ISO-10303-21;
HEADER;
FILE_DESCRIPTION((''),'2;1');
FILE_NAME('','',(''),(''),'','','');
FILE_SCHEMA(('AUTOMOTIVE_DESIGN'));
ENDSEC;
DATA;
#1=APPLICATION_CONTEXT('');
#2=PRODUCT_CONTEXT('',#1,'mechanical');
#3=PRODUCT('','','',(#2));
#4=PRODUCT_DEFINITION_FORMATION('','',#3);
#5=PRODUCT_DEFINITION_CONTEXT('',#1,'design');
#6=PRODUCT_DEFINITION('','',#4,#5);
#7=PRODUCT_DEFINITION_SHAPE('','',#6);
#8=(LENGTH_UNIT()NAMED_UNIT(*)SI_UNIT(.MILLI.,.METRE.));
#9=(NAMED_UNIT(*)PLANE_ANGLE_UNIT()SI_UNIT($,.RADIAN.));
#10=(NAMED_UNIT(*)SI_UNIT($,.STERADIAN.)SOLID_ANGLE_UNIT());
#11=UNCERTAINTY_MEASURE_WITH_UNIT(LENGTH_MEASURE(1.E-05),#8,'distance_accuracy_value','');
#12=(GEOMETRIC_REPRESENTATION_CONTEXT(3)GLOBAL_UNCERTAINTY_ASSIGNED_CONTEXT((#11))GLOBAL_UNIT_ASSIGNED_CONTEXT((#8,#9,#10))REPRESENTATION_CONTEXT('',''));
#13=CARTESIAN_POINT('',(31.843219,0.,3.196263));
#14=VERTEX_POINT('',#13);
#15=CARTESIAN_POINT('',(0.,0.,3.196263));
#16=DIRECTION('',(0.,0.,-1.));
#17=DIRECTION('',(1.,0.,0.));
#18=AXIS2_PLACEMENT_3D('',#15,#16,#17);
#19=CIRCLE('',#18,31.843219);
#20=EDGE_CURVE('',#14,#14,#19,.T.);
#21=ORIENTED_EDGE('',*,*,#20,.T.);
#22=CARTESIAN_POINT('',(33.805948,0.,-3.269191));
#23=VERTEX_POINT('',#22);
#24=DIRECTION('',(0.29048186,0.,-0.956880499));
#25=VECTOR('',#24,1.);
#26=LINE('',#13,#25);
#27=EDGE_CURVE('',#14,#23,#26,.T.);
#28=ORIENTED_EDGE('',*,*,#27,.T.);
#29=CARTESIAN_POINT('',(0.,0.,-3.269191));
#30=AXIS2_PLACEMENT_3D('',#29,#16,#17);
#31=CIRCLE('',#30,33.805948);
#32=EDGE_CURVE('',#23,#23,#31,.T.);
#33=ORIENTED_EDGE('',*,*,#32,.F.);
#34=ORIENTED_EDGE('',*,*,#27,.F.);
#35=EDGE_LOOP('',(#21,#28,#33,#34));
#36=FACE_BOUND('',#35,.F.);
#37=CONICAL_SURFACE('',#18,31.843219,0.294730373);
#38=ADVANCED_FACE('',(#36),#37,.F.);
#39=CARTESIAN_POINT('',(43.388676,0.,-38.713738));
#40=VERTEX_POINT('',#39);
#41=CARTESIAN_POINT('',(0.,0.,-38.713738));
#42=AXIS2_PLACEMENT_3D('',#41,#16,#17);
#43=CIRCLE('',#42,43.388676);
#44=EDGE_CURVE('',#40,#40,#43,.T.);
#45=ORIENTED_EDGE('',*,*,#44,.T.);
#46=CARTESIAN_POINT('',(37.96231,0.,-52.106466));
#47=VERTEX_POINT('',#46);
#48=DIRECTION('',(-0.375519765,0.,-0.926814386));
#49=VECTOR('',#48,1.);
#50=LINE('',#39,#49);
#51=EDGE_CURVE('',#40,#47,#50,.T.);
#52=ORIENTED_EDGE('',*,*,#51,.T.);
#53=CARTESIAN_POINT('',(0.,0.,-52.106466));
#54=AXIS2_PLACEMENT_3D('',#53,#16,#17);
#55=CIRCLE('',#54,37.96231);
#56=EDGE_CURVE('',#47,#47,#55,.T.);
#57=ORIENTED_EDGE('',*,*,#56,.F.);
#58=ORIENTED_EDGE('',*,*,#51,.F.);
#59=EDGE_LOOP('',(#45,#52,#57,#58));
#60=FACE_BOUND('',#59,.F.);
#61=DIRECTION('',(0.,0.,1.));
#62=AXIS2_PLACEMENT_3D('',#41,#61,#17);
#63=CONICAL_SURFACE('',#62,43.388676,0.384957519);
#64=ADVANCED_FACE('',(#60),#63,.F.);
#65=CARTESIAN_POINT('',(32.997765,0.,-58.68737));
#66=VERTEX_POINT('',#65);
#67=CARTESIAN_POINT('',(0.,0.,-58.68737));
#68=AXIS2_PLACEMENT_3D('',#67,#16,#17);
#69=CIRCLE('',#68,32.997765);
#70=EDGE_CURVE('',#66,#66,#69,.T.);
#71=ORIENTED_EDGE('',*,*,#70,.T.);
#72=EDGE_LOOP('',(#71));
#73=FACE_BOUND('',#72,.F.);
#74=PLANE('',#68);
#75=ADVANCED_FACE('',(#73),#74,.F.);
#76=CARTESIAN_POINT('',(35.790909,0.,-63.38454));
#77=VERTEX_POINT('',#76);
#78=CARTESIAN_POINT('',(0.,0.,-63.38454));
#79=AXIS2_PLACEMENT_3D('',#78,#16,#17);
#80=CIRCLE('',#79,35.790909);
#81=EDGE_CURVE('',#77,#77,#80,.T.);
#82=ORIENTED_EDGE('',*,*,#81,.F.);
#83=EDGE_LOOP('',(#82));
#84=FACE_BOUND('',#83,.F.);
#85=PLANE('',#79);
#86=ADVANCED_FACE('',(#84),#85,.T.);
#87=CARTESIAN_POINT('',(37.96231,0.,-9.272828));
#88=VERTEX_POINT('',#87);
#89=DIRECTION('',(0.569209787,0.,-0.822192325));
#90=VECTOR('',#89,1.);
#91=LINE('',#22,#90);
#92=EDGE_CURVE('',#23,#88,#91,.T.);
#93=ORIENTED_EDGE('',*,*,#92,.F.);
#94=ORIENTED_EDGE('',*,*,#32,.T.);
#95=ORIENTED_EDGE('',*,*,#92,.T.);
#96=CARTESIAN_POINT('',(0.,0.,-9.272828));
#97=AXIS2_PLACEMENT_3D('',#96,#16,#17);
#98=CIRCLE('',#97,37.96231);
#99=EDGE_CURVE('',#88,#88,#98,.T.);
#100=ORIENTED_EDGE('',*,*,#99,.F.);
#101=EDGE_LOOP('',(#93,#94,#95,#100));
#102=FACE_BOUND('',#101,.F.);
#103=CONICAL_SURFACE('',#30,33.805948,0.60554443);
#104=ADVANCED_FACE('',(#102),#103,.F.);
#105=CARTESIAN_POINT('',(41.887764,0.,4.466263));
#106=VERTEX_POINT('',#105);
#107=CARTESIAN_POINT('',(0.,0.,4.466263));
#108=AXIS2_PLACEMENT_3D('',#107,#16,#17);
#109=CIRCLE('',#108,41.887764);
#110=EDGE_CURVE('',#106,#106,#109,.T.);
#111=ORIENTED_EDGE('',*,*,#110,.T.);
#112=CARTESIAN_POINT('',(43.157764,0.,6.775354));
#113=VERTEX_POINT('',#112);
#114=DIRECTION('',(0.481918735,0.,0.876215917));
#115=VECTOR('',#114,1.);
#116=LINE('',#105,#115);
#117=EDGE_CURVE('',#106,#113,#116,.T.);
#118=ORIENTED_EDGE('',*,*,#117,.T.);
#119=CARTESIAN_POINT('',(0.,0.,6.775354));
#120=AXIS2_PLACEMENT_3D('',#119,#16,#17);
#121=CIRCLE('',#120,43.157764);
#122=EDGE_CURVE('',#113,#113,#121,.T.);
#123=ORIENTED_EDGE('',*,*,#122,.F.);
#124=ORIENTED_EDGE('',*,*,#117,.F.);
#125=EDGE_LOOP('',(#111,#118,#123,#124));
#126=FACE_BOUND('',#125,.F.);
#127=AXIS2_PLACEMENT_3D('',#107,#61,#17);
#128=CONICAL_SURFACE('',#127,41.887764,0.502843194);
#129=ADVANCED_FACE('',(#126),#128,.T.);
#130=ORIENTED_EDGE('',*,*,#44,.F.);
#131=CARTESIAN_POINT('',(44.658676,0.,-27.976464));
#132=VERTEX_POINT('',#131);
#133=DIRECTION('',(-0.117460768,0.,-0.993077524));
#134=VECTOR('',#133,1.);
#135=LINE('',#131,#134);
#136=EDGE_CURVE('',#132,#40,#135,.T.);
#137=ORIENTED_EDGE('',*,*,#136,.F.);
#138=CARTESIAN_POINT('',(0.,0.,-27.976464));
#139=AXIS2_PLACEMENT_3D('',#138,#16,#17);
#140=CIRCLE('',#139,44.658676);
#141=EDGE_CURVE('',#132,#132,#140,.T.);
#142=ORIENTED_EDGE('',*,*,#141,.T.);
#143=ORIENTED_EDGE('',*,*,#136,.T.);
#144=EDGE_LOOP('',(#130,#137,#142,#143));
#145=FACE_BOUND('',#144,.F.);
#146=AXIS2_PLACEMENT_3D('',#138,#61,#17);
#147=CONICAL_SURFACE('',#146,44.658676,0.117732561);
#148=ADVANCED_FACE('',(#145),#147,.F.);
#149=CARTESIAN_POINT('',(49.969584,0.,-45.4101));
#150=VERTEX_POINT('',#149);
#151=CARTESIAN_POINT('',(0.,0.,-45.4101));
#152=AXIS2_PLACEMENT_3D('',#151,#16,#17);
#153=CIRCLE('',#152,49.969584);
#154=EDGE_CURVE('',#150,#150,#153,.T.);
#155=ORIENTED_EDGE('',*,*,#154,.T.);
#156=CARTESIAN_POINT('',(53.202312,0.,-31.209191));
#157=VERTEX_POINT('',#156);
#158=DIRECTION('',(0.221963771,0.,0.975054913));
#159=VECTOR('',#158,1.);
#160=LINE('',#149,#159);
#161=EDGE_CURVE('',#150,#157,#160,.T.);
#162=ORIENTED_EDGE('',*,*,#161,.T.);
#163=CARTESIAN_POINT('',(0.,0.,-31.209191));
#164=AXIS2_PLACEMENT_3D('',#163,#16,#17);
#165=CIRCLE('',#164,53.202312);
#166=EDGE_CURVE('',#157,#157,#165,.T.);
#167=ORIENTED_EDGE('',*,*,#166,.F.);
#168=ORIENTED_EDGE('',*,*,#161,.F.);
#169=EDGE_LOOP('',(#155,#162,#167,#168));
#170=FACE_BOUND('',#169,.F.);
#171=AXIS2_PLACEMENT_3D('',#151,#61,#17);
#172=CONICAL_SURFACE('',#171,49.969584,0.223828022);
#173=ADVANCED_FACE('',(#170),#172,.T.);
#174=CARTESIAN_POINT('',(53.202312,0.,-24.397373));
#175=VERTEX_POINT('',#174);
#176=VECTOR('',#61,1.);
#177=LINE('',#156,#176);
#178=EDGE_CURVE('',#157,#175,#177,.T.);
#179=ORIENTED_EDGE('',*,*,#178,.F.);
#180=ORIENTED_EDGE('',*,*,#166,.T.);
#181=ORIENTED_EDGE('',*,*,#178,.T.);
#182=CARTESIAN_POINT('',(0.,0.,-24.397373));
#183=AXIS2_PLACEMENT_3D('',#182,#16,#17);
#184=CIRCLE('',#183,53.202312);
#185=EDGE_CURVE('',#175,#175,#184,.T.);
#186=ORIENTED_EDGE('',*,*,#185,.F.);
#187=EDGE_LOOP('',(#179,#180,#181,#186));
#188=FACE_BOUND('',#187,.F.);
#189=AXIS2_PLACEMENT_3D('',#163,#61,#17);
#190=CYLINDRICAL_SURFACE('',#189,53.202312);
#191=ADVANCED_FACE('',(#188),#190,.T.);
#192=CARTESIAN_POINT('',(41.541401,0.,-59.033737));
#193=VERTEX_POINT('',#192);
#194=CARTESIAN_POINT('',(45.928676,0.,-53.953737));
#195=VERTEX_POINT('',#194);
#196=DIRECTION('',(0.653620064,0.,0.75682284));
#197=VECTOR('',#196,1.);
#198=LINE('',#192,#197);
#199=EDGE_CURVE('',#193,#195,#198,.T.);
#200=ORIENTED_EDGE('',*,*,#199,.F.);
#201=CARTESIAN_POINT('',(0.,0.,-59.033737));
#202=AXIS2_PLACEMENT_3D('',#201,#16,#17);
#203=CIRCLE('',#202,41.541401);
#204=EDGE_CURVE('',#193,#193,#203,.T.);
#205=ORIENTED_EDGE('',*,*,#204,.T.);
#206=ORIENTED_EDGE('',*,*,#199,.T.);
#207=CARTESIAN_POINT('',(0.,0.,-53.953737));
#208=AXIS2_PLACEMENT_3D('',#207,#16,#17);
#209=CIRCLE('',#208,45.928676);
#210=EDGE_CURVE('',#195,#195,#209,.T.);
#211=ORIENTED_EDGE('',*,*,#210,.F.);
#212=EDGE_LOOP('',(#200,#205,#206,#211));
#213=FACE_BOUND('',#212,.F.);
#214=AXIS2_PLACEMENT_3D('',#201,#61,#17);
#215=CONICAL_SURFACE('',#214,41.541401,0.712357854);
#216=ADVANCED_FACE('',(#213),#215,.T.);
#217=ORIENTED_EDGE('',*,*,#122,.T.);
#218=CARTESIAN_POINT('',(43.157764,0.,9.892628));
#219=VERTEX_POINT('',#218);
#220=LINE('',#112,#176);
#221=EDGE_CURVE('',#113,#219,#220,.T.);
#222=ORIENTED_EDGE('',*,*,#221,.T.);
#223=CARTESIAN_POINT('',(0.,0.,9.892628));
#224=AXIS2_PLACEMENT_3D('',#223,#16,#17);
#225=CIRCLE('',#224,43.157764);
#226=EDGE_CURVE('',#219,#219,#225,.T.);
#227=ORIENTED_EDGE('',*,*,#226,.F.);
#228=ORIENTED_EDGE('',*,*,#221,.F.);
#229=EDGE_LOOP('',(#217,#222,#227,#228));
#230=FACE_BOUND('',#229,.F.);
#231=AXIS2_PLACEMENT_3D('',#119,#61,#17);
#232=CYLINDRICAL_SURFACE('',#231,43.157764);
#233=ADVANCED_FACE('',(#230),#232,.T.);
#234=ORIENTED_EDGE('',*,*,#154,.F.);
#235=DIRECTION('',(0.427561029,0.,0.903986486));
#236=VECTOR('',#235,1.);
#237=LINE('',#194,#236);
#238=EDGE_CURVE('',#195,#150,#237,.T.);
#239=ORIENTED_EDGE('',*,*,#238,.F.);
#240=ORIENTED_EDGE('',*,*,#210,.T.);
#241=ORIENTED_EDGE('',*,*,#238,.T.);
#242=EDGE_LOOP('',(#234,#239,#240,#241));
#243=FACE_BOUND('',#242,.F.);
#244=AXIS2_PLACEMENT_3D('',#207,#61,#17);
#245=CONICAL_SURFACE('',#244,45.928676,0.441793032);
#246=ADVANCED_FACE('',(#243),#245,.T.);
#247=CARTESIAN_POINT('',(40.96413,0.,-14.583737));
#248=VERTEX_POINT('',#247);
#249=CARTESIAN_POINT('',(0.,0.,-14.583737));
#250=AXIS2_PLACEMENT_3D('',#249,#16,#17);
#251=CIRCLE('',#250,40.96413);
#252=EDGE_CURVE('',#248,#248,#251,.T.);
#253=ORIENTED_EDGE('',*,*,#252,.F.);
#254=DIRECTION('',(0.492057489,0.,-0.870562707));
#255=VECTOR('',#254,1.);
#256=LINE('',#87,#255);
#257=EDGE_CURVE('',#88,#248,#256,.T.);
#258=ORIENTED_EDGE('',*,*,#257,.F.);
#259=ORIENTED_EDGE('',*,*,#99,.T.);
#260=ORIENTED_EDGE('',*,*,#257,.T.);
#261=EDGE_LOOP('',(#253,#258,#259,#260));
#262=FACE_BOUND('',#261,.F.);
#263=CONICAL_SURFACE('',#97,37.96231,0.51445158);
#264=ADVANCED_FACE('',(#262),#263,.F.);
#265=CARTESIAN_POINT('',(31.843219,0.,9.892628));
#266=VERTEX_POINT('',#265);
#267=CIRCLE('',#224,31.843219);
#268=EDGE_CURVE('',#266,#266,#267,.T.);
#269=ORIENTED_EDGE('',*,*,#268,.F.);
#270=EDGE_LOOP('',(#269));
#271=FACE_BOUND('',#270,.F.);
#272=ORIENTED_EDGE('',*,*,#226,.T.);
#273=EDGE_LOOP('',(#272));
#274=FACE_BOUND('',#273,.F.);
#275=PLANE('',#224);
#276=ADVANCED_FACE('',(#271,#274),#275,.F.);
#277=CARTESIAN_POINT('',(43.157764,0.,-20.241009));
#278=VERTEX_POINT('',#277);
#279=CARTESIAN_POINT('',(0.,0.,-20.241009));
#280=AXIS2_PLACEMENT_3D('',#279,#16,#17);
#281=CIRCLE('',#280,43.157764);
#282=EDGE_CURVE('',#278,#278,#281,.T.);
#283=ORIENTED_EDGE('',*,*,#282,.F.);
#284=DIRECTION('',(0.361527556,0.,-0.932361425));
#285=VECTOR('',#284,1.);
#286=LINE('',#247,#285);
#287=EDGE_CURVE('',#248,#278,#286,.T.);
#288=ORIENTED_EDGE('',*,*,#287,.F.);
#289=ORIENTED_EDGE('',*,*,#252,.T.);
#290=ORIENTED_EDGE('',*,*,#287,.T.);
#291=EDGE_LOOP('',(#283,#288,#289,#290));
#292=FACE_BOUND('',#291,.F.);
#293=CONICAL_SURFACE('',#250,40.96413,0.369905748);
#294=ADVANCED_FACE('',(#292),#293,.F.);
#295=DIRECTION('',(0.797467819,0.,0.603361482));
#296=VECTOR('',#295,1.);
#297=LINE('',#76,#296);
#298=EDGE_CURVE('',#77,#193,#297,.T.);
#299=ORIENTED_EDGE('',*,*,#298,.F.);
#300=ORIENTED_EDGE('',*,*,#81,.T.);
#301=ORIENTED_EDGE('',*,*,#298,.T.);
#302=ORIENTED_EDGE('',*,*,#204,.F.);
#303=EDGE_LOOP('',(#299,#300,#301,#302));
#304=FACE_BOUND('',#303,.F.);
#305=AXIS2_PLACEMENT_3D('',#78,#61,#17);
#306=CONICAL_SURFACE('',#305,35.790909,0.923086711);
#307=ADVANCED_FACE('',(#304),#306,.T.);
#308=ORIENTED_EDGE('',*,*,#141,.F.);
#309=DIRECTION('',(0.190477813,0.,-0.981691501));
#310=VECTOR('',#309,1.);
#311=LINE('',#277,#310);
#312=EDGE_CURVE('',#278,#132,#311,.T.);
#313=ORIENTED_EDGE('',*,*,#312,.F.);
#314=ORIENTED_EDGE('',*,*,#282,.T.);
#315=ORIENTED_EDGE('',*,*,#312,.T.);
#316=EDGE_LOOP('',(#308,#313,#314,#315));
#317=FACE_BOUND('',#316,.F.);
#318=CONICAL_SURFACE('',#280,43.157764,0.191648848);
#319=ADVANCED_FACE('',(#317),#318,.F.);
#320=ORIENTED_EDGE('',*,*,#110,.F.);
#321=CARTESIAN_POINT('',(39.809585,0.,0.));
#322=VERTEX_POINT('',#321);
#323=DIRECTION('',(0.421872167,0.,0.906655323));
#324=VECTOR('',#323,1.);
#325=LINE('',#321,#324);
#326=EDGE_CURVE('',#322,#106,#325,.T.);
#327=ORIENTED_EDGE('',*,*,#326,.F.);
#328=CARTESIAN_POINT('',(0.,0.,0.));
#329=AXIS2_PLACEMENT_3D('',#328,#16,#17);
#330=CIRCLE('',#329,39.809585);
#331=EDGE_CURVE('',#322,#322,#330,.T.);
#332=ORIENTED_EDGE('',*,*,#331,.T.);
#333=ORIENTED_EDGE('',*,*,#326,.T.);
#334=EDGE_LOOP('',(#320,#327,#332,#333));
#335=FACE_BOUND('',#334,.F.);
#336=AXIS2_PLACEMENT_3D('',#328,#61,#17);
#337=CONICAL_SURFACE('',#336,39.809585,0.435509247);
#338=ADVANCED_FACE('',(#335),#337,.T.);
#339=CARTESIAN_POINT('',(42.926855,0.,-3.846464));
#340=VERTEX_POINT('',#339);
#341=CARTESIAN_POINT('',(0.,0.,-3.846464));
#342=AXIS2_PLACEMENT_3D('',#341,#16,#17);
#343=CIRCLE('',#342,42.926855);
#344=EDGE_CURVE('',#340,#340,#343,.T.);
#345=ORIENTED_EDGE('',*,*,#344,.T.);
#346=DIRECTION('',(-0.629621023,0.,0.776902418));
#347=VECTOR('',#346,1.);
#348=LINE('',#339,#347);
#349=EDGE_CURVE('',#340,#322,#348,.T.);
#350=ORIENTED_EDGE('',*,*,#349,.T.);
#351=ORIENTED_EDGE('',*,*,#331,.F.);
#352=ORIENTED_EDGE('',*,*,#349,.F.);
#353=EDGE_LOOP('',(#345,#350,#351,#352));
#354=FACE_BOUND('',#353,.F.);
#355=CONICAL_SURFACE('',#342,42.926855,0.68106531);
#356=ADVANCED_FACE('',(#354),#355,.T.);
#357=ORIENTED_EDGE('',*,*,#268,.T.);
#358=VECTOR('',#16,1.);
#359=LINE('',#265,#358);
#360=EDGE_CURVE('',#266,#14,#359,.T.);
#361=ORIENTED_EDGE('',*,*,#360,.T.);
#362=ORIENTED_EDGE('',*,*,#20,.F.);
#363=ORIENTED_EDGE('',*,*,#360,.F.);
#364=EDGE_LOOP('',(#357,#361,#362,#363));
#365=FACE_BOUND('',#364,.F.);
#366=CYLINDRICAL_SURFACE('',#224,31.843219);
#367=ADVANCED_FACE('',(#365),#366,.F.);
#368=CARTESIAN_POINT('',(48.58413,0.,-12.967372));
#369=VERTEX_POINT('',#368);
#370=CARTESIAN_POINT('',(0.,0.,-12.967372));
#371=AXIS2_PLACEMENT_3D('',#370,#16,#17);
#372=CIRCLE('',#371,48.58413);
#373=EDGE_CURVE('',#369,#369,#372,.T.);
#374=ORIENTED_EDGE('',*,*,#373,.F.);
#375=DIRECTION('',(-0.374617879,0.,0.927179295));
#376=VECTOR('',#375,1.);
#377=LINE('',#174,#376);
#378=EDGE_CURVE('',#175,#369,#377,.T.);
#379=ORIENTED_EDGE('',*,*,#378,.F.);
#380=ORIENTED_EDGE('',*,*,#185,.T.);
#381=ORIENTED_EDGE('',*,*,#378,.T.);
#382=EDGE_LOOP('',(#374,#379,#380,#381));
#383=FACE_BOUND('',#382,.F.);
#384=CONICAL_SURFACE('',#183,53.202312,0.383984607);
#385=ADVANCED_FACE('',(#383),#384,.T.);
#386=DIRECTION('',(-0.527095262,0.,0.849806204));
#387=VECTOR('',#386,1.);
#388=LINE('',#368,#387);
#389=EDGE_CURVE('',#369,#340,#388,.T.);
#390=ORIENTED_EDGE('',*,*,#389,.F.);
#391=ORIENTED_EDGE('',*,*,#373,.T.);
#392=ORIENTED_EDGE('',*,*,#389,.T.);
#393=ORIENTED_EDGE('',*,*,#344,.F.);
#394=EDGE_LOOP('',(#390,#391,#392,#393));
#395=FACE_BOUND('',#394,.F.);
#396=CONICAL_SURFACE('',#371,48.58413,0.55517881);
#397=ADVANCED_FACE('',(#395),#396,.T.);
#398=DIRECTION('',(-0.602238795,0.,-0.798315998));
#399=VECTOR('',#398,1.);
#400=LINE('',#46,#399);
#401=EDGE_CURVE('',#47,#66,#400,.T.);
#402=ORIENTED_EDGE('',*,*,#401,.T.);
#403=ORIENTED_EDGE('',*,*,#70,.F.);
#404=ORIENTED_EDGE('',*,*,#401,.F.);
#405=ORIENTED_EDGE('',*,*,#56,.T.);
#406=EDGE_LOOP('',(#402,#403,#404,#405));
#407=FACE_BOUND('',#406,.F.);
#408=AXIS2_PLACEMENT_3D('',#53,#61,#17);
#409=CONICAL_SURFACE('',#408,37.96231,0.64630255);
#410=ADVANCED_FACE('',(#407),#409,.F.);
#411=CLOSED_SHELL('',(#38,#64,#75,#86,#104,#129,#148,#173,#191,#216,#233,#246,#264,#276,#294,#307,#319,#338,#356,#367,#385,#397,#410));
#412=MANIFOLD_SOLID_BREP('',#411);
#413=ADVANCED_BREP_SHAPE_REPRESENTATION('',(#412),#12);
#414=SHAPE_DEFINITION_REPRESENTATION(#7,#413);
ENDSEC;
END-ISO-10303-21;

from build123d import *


with BuildPart() as f1:
    # F0 (on Front) → F1 (revolve)
    with BuildSketch(Plane.XZ):
        Polygon((32.997765, -58.68737), (0, -58.68737), (0, -63.38454), (35.790909, -63.38454), (41.541401, -59.033737), (45.928676, -53.953737), (49.969584, -45.4101), (53.202312, -31.209191), (53.202312, -24.397373), (48.58413, -12.967372), (42.926855, -3.846464), (39.809585, 0), (41.887764, 4.466263), (43.157764, 6.775354), (43.157764, 9.892628), (31.843219, 9.892628), (31.843219, 3.196263), (33.805948, -3.269191), (37.96231, -9.272828), (40.96413, -14.583737), (43.157764, -20.241009), (44.658676, -27.976464), (43.388676, -38.713738), (37.96231, -52.106466), align=None)
    revolve(axis=Axis((0, 0, -31.69227), (0, 0, -1)))


solid = f1.part
